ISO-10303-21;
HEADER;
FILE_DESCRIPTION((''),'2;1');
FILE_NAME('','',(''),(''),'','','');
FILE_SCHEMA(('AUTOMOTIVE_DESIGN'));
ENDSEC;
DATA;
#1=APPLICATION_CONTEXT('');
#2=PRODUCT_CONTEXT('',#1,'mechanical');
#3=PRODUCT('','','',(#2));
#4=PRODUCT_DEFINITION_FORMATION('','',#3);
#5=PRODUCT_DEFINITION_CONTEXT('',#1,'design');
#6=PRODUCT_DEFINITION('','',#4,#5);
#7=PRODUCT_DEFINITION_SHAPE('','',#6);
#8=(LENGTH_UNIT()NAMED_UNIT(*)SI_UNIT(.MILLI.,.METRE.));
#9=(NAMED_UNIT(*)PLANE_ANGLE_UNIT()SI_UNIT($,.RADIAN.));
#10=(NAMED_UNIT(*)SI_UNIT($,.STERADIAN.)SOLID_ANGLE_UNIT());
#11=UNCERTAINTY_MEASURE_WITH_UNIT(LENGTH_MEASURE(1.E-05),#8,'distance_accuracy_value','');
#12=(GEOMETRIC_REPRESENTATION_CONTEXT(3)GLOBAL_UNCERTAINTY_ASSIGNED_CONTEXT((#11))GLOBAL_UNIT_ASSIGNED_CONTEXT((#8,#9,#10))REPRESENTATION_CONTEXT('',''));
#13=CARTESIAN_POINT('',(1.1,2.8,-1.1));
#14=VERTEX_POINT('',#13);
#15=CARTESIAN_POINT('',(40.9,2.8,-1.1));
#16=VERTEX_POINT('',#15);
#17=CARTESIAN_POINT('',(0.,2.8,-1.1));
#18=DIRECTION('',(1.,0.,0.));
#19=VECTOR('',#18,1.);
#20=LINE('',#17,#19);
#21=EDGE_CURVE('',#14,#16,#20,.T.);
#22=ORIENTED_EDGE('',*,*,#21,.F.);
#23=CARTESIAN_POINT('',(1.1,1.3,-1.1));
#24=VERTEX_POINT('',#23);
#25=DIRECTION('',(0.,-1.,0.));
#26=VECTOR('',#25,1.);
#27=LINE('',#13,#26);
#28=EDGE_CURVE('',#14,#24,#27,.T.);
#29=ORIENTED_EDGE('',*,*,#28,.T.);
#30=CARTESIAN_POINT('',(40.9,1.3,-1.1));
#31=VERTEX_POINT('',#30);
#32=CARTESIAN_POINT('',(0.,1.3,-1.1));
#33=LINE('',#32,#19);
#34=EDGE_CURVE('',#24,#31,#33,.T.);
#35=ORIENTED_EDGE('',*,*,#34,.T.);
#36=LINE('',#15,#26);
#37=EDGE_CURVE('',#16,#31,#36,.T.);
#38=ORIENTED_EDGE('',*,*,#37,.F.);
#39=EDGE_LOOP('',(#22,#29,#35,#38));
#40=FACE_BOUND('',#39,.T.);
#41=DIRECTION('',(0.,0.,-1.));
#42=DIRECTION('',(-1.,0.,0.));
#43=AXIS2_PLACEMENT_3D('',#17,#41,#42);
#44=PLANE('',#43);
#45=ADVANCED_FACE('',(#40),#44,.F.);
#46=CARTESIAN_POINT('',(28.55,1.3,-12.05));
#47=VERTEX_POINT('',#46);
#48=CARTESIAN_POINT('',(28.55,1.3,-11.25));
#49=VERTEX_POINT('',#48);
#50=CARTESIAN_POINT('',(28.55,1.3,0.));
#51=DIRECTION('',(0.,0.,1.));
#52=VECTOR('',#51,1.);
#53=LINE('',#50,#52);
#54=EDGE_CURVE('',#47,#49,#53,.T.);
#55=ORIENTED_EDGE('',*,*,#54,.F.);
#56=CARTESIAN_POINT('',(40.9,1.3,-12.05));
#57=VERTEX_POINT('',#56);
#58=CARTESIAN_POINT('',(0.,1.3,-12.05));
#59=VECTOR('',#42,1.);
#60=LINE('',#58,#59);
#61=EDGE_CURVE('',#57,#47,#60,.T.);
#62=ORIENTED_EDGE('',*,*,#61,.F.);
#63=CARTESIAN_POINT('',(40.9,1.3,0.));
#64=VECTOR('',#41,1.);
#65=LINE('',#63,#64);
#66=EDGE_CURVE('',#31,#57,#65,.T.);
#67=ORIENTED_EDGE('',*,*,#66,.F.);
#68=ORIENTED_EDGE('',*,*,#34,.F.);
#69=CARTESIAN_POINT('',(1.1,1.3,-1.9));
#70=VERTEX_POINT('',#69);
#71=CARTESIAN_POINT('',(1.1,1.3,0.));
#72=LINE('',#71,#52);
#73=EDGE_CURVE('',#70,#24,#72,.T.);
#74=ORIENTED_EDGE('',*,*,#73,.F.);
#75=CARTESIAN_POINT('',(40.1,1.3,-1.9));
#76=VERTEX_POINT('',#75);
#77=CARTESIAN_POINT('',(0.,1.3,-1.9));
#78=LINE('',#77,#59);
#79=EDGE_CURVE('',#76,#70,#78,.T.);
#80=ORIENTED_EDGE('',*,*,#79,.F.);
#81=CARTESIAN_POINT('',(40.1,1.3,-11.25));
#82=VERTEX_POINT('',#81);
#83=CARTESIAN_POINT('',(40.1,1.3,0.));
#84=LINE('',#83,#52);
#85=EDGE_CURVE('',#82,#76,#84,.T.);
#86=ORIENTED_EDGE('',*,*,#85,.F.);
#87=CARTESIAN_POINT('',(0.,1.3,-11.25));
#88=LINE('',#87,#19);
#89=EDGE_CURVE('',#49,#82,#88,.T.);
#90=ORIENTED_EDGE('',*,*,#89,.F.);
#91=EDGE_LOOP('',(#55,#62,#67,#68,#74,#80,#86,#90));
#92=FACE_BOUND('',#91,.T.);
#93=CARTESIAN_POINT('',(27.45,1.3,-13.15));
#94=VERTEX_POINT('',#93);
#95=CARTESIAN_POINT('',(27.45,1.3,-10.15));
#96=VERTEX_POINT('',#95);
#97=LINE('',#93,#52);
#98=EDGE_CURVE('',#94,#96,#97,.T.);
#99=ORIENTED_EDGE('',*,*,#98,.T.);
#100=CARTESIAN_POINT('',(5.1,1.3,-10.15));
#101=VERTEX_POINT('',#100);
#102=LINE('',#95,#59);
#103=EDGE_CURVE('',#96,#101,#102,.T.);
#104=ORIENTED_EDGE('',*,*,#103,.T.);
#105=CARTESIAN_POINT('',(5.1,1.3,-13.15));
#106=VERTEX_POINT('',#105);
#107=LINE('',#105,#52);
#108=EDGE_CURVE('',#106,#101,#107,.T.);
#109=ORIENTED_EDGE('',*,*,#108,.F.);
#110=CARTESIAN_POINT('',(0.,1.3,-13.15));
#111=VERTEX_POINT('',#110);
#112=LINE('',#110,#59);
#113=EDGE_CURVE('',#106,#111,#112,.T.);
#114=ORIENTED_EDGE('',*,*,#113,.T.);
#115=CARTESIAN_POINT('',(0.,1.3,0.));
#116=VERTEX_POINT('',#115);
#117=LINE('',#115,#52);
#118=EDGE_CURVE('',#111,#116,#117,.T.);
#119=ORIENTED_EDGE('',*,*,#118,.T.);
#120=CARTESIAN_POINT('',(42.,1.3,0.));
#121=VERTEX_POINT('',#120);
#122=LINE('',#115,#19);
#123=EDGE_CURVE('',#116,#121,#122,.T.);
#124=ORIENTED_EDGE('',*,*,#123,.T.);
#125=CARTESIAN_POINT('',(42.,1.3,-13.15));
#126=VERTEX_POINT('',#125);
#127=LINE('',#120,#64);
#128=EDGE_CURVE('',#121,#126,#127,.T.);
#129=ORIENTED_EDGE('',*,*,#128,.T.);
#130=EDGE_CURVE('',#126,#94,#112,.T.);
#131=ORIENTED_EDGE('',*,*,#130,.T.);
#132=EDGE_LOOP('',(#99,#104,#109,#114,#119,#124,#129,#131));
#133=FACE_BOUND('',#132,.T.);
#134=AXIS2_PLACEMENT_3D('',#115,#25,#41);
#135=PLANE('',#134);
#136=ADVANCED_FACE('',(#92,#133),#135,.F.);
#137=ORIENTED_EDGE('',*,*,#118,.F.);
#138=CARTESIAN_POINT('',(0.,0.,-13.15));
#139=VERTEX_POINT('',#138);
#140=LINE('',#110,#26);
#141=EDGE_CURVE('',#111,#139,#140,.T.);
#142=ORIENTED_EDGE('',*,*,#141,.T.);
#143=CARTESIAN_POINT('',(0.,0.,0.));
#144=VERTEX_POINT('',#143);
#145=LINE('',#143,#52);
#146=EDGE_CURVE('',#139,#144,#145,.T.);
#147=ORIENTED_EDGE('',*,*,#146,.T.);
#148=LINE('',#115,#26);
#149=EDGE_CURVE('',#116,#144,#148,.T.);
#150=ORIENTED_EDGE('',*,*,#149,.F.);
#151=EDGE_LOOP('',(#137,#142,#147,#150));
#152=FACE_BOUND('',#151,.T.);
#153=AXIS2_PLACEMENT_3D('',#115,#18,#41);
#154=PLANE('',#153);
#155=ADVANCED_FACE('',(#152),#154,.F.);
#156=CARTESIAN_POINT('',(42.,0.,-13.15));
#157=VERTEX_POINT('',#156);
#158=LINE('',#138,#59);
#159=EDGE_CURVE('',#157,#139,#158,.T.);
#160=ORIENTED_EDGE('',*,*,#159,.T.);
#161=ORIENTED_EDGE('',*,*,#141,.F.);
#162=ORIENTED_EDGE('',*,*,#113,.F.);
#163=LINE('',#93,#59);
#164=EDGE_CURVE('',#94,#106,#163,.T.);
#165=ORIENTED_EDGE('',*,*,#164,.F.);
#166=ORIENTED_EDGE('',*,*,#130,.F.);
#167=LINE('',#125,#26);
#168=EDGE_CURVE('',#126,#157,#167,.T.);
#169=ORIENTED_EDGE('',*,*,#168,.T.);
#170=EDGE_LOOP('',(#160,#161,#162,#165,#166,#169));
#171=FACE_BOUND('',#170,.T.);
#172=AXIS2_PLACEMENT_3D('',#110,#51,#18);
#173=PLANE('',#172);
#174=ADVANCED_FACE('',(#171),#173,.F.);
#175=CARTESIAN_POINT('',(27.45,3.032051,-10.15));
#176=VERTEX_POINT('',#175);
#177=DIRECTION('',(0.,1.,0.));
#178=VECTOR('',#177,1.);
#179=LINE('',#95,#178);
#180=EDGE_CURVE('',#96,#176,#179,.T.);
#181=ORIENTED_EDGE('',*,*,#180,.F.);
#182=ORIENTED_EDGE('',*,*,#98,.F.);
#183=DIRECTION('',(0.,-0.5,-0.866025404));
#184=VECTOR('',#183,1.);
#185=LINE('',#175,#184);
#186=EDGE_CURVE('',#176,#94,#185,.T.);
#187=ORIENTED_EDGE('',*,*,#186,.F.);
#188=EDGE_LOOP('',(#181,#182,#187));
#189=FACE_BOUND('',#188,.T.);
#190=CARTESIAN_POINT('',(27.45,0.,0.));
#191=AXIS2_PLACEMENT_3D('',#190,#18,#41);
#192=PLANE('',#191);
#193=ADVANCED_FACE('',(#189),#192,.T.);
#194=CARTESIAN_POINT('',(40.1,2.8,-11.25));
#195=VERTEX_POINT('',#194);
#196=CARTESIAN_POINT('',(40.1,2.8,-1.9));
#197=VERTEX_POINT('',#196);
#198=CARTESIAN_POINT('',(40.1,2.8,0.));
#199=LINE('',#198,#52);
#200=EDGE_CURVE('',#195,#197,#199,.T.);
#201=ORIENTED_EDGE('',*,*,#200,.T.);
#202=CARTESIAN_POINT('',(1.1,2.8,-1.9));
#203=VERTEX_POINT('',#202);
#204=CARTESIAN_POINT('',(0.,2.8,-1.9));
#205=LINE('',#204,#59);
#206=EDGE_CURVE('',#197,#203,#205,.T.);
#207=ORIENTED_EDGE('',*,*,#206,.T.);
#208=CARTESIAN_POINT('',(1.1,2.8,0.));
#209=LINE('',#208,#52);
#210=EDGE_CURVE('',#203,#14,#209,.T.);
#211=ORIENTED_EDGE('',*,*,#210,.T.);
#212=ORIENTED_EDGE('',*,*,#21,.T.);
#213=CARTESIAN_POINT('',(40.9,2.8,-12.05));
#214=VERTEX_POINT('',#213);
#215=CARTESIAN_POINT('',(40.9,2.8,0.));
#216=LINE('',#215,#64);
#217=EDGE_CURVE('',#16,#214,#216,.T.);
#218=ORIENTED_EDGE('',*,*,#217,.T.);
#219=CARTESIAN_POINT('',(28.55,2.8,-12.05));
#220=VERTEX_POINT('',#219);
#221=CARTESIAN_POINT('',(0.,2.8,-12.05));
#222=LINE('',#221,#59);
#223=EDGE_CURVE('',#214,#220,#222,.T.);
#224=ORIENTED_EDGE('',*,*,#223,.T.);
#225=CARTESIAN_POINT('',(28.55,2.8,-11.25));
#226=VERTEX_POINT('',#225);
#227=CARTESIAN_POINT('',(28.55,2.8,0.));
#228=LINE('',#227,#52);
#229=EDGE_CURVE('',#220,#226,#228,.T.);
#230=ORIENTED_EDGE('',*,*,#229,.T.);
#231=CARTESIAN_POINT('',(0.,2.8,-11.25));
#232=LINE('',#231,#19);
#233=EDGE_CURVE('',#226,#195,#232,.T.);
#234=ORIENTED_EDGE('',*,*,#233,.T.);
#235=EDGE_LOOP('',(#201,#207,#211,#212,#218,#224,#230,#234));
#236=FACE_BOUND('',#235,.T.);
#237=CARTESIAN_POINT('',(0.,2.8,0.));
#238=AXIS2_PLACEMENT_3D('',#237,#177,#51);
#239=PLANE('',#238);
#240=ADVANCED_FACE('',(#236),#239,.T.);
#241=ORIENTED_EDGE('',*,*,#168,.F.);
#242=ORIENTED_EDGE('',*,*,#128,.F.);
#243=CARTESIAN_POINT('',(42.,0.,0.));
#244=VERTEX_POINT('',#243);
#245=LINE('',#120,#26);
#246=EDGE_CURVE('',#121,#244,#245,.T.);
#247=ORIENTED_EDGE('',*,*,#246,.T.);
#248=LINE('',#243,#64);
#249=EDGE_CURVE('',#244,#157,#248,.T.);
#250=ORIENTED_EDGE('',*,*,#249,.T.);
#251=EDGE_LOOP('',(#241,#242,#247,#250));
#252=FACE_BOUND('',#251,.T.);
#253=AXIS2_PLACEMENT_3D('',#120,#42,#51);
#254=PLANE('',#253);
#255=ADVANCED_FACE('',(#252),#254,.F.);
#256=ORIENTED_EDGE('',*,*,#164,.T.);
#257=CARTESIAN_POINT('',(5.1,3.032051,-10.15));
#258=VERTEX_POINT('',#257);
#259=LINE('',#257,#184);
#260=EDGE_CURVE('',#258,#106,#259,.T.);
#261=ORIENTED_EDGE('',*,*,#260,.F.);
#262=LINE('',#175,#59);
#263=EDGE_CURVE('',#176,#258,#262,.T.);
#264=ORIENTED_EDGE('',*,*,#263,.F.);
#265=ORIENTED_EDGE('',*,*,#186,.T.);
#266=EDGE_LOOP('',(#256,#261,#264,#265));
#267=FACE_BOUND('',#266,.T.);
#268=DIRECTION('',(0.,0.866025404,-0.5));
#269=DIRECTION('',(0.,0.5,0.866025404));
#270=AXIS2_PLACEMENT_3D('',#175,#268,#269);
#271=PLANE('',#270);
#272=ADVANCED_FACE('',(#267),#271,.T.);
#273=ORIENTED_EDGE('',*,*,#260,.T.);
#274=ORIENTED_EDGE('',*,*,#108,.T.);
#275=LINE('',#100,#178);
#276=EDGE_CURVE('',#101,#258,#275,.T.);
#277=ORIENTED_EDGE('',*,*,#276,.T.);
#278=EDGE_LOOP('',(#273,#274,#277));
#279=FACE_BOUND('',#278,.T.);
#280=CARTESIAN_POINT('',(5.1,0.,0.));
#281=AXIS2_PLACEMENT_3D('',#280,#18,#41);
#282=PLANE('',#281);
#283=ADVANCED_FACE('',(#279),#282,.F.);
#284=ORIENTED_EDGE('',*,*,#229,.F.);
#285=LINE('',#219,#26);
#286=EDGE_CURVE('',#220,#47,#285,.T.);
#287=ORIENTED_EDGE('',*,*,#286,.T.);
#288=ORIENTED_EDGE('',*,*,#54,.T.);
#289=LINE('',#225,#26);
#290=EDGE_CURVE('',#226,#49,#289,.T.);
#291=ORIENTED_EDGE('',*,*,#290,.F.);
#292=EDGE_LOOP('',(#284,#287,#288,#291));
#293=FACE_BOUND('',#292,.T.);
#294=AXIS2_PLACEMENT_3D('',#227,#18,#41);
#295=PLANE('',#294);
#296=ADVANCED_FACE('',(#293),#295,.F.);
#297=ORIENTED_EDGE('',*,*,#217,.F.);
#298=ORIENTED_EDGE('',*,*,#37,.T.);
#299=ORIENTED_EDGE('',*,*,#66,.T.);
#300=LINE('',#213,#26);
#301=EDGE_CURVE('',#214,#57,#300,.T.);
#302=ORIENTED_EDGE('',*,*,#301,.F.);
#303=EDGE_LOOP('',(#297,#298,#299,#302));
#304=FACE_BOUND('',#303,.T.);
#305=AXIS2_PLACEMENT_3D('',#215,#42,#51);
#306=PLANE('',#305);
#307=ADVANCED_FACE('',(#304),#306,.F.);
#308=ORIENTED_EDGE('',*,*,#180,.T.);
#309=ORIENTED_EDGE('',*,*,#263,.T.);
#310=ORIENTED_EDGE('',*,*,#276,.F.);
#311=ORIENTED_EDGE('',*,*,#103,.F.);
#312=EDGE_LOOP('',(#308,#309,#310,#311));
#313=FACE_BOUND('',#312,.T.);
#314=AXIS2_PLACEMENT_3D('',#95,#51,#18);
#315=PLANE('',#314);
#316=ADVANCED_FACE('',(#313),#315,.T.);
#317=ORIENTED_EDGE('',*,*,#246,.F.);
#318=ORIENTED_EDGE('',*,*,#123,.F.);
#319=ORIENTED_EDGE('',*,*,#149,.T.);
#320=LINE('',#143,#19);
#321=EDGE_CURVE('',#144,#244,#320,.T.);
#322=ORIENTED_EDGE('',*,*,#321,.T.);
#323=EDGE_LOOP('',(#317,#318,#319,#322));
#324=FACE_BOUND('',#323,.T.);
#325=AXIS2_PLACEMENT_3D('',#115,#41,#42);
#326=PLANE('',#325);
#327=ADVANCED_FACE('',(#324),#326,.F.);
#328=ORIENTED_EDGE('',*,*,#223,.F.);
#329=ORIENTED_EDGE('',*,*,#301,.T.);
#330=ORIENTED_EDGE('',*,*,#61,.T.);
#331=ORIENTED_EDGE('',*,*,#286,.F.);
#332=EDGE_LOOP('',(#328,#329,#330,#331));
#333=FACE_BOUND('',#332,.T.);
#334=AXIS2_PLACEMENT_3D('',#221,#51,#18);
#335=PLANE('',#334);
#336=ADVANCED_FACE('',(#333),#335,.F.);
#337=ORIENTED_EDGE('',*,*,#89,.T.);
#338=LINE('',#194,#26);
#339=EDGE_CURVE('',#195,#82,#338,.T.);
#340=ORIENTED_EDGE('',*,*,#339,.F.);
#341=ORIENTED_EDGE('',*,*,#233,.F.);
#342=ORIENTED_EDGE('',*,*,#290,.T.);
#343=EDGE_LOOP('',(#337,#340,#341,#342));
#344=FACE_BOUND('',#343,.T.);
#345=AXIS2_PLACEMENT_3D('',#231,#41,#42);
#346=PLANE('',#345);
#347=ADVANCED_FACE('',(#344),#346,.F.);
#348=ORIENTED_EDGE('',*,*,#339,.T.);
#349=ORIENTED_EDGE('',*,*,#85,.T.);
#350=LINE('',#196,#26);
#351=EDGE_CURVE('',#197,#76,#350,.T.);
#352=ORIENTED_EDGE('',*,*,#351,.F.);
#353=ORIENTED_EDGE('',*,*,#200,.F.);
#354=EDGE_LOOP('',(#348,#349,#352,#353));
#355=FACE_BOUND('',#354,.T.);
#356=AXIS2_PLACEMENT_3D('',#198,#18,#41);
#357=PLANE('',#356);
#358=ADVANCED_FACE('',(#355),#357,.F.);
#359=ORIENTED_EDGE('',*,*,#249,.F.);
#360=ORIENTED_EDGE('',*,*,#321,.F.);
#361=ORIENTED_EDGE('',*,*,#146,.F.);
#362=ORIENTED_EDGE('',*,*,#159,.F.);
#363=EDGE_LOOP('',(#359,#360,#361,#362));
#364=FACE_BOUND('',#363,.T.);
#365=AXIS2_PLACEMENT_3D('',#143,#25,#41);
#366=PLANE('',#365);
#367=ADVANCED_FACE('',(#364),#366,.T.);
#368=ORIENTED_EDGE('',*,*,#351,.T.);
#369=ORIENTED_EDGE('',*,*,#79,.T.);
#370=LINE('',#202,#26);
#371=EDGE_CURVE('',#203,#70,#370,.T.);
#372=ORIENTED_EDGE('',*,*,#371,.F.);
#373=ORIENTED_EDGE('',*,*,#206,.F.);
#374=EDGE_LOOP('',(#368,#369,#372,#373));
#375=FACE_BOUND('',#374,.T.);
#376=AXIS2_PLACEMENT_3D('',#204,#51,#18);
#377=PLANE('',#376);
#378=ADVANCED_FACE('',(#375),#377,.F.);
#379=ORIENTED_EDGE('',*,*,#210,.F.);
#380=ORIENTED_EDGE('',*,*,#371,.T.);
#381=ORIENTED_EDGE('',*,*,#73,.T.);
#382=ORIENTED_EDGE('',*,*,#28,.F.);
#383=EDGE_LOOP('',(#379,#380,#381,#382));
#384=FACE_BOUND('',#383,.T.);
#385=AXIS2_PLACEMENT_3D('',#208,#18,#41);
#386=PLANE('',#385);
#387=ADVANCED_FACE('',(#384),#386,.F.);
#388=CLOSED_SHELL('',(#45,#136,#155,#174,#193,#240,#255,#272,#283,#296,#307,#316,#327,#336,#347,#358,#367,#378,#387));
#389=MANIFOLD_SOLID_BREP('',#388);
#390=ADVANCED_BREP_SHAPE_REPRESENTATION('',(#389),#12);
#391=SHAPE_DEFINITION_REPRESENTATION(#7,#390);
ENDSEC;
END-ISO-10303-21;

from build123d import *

# Parameters (mm, degrees)
SKETCH1_W           = 42
SKETCH1_H           = 13.15
BOSS_EXTRUDE1_DEPTH = 1.3
BOSS_EXTRUDE3_START = -5.1
BOSS_EXTRUDE3_DEPTH = 22.35
BOSS_EXTRUDE4_DEPTH = 1.5


with BuildPart() as part:
    # Sketch1 → Boss-Extrude1 (new body)
    with BuildSketch(Plane(origin=(0, 0, 0), x_dir=(1, 0, 0), z_dir=(0, 1, 0))):
        with Locations((21, 6.575)):
            Rectangle(SKETCH1_W, SKETCH1_H)
    extrude(amount=BOSS_EXTRUDE1_DEPTH)

    # Sketch3 → Boss-Extrude3 (add)
    with BuildSketch(Plane.ZY.offset(BOSS_EXTRUDE3_START)):
        Polygon((-13.15, 1.3), (-10.15, 1.3), (-10.15, 3.032050808), align=None)
    extrude(amount=-BOSS_EXTRUDE3_DEPTH)

    # Sketch4 → Boss-Extrude4 (add)
    with BuildSketch(Plane(origin=(0, 1.3, 0), x_dir=(1, 0, 0), z_dir=(0, 1, 0))):
        Polygon((40.9, 1.1), (40.9, 12.05), (28.55, 12.05), (28.55, 11.25), (40.1, 11.25), (40.1, 1.9), (1.1, 1.9), (1.1, 1.1), align=None)
    extrude(amount=BOSS_EXTRUDE4_DEPTH)


solid = part.part
